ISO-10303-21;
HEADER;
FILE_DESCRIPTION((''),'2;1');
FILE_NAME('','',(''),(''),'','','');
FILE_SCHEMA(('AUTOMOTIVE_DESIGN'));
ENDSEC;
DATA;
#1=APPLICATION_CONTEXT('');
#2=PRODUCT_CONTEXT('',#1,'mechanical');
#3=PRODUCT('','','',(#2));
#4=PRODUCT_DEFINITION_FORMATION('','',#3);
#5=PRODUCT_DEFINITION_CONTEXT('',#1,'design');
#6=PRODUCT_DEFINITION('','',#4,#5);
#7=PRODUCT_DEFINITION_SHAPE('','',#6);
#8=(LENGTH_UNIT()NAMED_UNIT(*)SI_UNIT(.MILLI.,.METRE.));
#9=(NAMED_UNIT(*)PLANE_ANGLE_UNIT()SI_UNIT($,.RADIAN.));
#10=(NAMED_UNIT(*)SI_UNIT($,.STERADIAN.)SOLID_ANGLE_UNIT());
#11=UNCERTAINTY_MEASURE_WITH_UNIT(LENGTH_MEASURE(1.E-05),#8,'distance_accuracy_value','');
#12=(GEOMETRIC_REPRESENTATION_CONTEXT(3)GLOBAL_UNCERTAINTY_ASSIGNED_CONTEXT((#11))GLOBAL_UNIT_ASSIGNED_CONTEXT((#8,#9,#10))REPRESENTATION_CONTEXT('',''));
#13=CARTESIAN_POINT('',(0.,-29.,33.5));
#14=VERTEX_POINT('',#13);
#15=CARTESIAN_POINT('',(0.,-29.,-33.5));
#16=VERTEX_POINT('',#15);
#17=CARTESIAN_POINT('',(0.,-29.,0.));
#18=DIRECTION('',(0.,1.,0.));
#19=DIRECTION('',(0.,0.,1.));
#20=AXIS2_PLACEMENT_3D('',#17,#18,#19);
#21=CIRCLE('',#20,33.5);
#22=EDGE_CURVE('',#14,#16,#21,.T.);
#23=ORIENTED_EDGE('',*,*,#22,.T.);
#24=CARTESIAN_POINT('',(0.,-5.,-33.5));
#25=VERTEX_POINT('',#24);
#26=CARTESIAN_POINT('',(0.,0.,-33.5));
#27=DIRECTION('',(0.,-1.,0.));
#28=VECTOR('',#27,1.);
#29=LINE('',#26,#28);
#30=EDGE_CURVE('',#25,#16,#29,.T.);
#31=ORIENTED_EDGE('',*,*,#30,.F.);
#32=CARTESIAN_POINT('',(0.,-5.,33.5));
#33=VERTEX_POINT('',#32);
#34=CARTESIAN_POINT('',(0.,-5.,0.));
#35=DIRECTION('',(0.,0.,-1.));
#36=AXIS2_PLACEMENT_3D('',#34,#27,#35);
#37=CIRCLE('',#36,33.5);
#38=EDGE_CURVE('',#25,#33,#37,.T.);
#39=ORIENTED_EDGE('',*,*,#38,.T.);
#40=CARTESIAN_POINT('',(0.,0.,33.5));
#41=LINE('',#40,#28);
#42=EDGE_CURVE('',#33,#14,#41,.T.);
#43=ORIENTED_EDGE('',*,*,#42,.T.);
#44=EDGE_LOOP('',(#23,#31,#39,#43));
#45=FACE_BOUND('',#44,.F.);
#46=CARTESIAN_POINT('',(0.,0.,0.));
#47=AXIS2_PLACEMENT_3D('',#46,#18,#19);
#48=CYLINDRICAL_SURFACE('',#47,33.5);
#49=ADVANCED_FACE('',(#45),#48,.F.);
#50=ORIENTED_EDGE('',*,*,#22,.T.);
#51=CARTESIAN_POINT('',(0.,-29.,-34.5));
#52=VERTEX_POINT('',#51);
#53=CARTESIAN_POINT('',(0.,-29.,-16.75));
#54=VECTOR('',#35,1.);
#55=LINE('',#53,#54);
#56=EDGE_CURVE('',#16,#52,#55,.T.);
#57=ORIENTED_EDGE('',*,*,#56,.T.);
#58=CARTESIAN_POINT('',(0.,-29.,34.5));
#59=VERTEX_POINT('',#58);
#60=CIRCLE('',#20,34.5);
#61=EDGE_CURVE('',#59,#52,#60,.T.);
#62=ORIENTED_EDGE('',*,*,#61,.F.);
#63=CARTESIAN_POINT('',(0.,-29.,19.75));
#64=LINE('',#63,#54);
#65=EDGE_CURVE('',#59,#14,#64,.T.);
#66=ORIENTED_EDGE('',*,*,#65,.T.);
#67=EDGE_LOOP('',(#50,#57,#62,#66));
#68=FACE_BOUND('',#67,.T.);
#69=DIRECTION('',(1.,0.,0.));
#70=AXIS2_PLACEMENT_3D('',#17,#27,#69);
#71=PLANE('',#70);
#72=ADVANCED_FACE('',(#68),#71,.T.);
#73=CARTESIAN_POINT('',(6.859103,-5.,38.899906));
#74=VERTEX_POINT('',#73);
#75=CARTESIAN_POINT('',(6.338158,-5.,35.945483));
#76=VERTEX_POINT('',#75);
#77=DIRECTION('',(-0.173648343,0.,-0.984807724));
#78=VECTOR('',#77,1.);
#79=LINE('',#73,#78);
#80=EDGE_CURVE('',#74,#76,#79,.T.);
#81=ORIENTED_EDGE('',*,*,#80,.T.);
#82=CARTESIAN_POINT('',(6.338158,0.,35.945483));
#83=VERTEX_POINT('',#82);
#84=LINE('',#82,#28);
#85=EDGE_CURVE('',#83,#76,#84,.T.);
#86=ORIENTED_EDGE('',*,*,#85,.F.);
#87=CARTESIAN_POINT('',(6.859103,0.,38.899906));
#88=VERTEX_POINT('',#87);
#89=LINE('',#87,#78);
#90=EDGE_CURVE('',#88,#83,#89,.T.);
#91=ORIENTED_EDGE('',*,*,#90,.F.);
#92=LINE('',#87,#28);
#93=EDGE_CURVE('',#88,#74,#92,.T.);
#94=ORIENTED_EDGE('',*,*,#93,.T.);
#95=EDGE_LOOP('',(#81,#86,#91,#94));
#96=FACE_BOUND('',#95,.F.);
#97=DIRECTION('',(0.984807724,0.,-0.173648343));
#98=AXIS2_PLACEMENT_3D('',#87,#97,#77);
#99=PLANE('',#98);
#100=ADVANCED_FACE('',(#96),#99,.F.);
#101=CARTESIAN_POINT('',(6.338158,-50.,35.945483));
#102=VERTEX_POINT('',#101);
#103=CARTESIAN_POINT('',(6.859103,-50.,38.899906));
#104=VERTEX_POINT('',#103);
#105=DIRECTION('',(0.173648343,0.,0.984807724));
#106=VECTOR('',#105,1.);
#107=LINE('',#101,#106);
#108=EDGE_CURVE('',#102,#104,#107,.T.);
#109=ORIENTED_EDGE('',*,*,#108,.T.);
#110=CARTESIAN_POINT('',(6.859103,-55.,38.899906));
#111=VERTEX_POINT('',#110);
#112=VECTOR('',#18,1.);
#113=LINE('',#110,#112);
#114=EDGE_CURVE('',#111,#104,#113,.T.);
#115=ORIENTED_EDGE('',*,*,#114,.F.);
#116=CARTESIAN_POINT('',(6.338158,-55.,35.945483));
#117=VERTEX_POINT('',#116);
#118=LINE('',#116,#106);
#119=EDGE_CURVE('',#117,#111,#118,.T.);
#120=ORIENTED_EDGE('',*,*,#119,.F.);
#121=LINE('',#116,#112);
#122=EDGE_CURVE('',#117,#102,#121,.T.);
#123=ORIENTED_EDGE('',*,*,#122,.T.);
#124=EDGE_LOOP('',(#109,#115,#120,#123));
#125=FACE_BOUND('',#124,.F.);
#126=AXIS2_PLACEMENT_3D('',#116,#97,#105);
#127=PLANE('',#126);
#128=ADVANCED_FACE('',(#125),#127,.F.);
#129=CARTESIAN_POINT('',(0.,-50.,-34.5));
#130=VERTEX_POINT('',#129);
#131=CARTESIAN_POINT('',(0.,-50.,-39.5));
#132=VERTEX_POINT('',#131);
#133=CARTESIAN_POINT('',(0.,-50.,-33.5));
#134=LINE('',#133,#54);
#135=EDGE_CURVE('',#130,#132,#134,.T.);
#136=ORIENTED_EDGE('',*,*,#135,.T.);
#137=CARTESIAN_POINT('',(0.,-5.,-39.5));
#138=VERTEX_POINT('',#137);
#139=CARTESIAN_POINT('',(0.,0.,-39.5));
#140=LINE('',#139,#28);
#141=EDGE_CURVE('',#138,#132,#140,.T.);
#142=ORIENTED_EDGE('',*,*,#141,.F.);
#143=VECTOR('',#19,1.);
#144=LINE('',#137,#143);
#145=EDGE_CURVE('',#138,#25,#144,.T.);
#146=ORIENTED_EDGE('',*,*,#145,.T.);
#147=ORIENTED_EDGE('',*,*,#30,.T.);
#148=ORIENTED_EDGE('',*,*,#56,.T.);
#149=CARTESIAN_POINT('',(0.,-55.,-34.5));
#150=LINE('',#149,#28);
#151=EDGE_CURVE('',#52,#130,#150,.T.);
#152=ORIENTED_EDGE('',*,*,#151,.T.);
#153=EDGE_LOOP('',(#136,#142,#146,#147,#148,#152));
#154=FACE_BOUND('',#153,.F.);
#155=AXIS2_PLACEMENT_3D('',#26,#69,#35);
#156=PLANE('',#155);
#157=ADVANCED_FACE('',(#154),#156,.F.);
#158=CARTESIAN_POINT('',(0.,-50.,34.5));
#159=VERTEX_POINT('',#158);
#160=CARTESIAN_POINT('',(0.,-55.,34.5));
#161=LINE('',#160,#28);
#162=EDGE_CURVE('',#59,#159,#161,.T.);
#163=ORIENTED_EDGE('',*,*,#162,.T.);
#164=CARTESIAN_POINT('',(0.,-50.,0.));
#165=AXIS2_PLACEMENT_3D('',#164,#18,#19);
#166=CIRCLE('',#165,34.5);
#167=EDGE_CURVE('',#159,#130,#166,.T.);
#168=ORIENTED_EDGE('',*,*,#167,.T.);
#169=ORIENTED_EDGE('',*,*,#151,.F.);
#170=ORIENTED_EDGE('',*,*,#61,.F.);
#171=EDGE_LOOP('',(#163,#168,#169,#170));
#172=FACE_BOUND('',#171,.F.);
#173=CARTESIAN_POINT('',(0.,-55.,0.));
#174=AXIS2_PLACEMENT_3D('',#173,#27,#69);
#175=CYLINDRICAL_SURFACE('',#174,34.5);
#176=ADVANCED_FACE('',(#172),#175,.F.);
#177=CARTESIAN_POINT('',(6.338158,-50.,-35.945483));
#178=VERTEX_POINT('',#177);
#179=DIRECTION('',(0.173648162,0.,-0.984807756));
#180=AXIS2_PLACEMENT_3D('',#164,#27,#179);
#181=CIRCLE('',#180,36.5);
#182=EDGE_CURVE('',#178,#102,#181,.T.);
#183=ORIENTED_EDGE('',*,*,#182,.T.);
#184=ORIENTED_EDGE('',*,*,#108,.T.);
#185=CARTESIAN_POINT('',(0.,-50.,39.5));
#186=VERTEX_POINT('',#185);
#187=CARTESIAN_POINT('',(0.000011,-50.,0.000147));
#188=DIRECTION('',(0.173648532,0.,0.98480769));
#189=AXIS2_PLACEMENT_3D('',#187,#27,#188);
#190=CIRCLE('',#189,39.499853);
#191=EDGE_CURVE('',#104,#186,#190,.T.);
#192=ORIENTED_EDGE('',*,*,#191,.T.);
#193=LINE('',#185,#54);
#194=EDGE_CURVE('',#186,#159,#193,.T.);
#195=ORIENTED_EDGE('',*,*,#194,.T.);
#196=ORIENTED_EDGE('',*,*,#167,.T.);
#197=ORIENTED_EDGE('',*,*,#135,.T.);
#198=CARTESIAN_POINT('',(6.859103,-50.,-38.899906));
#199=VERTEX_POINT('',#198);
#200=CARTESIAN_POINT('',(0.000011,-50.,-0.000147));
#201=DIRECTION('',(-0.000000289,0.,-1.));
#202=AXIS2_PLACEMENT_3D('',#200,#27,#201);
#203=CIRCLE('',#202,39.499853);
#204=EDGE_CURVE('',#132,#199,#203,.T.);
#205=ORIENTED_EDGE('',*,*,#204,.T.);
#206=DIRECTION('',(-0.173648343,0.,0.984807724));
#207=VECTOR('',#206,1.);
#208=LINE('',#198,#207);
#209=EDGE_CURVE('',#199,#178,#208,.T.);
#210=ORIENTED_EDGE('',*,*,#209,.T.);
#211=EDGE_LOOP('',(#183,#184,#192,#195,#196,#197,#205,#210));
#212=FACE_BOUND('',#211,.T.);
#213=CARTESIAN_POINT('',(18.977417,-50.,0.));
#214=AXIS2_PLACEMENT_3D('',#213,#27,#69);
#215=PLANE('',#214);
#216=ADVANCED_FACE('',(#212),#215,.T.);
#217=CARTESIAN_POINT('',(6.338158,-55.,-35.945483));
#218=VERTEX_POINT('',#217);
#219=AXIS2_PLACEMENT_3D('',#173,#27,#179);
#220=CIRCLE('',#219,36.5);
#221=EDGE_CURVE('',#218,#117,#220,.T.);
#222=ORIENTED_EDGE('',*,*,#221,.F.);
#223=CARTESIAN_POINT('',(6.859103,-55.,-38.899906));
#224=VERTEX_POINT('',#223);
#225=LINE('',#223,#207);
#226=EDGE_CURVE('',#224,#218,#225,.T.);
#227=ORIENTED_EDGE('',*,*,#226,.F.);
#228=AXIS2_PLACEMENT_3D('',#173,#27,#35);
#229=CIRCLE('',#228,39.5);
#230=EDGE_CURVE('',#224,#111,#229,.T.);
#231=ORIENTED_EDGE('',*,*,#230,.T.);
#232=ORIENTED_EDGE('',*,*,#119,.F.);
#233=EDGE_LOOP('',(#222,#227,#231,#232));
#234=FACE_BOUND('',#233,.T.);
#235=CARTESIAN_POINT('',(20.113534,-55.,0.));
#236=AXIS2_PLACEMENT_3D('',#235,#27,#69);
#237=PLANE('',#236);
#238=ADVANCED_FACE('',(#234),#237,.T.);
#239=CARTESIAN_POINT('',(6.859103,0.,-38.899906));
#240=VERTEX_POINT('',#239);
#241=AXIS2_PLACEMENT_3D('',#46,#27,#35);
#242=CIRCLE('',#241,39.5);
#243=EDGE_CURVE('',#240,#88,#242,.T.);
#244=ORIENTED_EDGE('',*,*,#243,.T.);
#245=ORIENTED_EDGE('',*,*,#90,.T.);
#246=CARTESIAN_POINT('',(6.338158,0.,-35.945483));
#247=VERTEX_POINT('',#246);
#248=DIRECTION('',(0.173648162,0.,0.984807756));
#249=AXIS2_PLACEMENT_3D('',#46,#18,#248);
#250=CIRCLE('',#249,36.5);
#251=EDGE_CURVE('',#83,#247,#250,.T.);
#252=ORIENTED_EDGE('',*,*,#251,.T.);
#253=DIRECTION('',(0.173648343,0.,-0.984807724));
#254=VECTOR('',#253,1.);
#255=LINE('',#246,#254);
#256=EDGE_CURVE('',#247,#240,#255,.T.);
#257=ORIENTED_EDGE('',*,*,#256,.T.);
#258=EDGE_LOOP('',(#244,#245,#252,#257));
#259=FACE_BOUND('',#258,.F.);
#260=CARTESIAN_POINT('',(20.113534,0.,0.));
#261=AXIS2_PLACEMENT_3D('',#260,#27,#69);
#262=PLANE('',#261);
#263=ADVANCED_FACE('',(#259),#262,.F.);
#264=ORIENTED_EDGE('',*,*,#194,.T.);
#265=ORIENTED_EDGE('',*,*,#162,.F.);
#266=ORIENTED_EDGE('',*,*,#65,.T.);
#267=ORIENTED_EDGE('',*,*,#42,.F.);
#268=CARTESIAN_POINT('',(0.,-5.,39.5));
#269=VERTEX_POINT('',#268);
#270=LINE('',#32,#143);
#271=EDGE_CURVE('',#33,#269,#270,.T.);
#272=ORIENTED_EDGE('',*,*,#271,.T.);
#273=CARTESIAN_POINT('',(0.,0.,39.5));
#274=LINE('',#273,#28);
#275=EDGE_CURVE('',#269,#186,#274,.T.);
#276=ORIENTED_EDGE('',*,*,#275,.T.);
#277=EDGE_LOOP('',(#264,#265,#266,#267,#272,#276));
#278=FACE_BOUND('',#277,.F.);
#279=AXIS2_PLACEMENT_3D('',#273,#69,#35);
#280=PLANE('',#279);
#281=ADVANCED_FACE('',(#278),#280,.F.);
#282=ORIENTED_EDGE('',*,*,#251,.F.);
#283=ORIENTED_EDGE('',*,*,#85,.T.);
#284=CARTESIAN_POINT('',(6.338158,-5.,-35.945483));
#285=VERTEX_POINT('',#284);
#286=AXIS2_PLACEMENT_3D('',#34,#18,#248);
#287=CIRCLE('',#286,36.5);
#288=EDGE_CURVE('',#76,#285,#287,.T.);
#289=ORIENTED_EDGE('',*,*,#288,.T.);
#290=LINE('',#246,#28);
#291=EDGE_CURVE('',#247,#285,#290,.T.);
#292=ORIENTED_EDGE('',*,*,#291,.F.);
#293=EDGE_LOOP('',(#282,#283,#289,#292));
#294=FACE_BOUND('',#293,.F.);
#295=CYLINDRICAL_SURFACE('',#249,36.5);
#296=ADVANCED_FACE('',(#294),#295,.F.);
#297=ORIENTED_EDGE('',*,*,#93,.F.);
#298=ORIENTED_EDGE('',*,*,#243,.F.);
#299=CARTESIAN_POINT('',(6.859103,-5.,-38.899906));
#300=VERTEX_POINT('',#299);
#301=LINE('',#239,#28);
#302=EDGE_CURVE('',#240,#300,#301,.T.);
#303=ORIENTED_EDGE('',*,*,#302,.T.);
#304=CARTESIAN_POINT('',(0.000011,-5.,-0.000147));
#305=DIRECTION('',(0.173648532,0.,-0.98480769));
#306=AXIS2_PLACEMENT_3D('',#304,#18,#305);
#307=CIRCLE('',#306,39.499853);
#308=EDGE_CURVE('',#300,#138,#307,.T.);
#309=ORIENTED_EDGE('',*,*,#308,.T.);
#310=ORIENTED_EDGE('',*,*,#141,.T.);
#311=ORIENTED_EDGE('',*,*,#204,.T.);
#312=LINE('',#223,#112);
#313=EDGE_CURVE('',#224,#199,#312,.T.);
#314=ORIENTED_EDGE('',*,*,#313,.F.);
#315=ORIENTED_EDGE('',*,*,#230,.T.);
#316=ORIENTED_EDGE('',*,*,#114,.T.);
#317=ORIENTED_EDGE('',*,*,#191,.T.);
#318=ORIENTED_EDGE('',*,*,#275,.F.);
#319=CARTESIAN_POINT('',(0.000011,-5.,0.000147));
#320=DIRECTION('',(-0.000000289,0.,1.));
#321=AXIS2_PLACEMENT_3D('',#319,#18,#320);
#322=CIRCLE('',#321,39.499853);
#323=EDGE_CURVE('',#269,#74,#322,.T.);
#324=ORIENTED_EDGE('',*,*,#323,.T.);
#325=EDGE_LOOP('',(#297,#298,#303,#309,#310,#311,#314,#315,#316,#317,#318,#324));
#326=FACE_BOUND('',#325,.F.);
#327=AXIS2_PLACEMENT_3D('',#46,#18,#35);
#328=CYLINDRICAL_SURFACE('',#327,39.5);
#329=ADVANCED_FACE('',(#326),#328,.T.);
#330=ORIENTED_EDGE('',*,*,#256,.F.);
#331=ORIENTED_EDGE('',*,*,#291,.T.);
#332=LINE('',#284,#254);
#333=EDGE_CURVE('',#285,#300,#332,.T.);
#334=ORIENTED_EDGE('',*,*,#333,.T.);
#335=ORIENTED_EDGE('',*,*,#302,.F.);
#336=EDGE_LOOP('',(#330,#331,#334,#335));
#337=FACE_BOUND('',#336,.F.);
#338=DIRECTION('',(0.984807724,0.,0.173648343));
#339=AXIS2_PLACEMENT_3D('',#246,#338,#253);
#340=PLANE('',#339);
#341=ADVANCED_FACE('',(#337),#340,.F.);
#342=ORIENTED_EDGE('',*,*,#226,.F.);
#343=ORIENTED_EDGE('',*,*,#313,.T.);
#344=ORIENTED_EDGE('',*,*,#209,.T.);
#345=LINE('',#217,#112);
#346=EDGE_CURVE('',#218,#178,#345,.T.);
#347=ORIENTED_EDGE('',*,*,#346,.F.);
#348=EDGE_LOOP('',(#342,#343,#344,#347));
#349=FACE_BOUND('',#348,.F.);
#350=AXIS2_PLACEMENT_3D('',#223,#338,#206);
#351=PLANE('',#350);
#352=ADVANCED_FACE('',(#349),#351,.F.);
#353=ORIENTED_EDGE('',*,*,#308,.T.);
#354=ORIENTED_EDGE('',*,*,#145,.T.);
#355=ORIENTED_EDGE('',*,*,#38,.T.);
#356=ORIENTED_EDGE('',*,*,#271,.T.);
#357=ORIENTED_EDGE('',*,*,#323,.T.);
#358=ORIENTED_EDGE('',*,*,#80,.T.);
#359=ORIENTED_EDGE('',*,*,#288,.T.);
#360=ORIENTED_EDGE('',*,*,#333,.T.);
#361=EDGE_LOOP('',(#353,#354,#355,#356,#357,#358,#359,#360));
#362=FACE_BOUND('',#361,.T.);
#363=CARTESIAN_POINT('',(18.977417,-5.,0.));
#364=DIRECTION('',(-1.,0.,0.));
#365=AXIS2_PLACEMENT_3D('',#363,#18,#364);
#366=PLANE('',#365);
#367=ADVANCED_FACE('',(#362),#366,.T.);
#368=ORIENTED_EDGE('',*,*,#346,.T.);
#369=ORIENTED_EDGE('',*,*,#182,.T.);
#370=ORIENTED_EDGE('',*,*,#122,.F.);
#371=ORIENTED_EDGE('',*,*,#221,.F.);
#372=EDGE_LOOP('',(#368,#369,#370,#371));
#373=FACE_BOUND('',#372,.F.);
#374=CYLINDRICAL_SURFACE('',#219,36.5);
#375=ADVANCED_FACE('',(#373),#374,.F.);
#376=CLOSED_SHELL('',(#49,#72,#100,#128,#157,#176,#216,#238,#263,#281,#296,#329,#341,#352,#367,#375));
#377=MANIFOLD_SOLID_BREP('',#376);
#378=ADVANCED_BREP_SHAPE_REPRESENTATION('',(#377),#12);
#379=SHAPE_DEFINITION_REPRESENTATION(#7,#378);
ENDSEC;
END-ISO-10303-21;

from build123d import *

# Parameters (mm, degrees)
F1_DEPTH = 55
F3_DEPTH = 5
F5_DEPTH = 5
F6_R     = 34.5
F6_R_2   = 33.5
F7_DEPTH = 26


with BuildPart() as f1:
    # F0 (on Front) → F1 (new body)
    with BuildSketch(Plane.XZ):
        with BuildLine():
            Line((0, -33.5), (0, -39.5))
            ThreePointArc((0, -39.5), (39.5, 0), (0, 39.5))
            Line((0, 39.5), (0, 33.5))
            ThreePointArc((0, 33.5), (33.5, 0), (0, -33.5))
        make_face()
    extrude(amount=F1_DEPTH)

    # F2 (on face) → F3 (cut)
    with BuildSketch(Plane.XZ.offset(55)):
        with BuildLine():
            Line((6.859103, -38.899906), (6.338158, -35.945483))
            ThreePointArc((6.338158, -35.945483), (36.5, 0), (6.338158, 35.945483))
            Line((6.338158, 35.945483), (6.859103, 38.899906))
            ThreePointArc((6.859103, 38.899906), (3.442652, 39.349691), (0, 39.5))
            Line((0, 39.5), (0, 33.5))
            ThreePointArc((0, 33.5), (33.5, 0), (0, -33.5))
            Line((0, -33.5), (0, -39.5))
            ThreePointArc((0, -39.5), (3.442652, -39.349691), (6.859103, -38.899906))
        make_face()
    extrude(amount=-F3_DEPTH, mode=Mode.SUBTRACT)

    # F4 (on face) → F5 (cut)
    with BuildSketch(Plane(origin=(0, 0, 0), x_dir=(-1, 0, 0), z_dir=(0, 1, 0))):
        with BuildLine():
            Line((-6.859103, 38.899906), (-6.338158, 35.945483))
            ThreePointArc((-6.338158, 35.945483), (-36.5, 0), (-6.338158, -35.945483))
            Line((-6.338158, -35.945483), (-6.859103, -38.899906))
            ThreePointArc((-6.859103, -38.899906), (-3.442652, -39.349691), (0, -39.5))
            Line((0, -39.5), (0, -33.5))
            ThreePointArc((0, -33.5), (-33.5, 0), (0, 33.5))
            Line((0, 33.5), (0, 39.5))
            ThreePointArc((0, 39.5), (-3.442652, 39.349691), (-6.859103, 38.899906))
        make_face()
    extrude(amount=-F5_DEPTH, mode=Mode.SUBTRACT)

    # F6 (on face) → F7 (cut)
    with BuildSketch(Plane.XZ.offset(55)):
        Circle(F6_R)
        Circle(F6_R_2, mode=Mode.SUBTRACT)
    extrude(amount=-F7_DEPTH, mode=Mode.SUBTRACT)


solid = f1.part
